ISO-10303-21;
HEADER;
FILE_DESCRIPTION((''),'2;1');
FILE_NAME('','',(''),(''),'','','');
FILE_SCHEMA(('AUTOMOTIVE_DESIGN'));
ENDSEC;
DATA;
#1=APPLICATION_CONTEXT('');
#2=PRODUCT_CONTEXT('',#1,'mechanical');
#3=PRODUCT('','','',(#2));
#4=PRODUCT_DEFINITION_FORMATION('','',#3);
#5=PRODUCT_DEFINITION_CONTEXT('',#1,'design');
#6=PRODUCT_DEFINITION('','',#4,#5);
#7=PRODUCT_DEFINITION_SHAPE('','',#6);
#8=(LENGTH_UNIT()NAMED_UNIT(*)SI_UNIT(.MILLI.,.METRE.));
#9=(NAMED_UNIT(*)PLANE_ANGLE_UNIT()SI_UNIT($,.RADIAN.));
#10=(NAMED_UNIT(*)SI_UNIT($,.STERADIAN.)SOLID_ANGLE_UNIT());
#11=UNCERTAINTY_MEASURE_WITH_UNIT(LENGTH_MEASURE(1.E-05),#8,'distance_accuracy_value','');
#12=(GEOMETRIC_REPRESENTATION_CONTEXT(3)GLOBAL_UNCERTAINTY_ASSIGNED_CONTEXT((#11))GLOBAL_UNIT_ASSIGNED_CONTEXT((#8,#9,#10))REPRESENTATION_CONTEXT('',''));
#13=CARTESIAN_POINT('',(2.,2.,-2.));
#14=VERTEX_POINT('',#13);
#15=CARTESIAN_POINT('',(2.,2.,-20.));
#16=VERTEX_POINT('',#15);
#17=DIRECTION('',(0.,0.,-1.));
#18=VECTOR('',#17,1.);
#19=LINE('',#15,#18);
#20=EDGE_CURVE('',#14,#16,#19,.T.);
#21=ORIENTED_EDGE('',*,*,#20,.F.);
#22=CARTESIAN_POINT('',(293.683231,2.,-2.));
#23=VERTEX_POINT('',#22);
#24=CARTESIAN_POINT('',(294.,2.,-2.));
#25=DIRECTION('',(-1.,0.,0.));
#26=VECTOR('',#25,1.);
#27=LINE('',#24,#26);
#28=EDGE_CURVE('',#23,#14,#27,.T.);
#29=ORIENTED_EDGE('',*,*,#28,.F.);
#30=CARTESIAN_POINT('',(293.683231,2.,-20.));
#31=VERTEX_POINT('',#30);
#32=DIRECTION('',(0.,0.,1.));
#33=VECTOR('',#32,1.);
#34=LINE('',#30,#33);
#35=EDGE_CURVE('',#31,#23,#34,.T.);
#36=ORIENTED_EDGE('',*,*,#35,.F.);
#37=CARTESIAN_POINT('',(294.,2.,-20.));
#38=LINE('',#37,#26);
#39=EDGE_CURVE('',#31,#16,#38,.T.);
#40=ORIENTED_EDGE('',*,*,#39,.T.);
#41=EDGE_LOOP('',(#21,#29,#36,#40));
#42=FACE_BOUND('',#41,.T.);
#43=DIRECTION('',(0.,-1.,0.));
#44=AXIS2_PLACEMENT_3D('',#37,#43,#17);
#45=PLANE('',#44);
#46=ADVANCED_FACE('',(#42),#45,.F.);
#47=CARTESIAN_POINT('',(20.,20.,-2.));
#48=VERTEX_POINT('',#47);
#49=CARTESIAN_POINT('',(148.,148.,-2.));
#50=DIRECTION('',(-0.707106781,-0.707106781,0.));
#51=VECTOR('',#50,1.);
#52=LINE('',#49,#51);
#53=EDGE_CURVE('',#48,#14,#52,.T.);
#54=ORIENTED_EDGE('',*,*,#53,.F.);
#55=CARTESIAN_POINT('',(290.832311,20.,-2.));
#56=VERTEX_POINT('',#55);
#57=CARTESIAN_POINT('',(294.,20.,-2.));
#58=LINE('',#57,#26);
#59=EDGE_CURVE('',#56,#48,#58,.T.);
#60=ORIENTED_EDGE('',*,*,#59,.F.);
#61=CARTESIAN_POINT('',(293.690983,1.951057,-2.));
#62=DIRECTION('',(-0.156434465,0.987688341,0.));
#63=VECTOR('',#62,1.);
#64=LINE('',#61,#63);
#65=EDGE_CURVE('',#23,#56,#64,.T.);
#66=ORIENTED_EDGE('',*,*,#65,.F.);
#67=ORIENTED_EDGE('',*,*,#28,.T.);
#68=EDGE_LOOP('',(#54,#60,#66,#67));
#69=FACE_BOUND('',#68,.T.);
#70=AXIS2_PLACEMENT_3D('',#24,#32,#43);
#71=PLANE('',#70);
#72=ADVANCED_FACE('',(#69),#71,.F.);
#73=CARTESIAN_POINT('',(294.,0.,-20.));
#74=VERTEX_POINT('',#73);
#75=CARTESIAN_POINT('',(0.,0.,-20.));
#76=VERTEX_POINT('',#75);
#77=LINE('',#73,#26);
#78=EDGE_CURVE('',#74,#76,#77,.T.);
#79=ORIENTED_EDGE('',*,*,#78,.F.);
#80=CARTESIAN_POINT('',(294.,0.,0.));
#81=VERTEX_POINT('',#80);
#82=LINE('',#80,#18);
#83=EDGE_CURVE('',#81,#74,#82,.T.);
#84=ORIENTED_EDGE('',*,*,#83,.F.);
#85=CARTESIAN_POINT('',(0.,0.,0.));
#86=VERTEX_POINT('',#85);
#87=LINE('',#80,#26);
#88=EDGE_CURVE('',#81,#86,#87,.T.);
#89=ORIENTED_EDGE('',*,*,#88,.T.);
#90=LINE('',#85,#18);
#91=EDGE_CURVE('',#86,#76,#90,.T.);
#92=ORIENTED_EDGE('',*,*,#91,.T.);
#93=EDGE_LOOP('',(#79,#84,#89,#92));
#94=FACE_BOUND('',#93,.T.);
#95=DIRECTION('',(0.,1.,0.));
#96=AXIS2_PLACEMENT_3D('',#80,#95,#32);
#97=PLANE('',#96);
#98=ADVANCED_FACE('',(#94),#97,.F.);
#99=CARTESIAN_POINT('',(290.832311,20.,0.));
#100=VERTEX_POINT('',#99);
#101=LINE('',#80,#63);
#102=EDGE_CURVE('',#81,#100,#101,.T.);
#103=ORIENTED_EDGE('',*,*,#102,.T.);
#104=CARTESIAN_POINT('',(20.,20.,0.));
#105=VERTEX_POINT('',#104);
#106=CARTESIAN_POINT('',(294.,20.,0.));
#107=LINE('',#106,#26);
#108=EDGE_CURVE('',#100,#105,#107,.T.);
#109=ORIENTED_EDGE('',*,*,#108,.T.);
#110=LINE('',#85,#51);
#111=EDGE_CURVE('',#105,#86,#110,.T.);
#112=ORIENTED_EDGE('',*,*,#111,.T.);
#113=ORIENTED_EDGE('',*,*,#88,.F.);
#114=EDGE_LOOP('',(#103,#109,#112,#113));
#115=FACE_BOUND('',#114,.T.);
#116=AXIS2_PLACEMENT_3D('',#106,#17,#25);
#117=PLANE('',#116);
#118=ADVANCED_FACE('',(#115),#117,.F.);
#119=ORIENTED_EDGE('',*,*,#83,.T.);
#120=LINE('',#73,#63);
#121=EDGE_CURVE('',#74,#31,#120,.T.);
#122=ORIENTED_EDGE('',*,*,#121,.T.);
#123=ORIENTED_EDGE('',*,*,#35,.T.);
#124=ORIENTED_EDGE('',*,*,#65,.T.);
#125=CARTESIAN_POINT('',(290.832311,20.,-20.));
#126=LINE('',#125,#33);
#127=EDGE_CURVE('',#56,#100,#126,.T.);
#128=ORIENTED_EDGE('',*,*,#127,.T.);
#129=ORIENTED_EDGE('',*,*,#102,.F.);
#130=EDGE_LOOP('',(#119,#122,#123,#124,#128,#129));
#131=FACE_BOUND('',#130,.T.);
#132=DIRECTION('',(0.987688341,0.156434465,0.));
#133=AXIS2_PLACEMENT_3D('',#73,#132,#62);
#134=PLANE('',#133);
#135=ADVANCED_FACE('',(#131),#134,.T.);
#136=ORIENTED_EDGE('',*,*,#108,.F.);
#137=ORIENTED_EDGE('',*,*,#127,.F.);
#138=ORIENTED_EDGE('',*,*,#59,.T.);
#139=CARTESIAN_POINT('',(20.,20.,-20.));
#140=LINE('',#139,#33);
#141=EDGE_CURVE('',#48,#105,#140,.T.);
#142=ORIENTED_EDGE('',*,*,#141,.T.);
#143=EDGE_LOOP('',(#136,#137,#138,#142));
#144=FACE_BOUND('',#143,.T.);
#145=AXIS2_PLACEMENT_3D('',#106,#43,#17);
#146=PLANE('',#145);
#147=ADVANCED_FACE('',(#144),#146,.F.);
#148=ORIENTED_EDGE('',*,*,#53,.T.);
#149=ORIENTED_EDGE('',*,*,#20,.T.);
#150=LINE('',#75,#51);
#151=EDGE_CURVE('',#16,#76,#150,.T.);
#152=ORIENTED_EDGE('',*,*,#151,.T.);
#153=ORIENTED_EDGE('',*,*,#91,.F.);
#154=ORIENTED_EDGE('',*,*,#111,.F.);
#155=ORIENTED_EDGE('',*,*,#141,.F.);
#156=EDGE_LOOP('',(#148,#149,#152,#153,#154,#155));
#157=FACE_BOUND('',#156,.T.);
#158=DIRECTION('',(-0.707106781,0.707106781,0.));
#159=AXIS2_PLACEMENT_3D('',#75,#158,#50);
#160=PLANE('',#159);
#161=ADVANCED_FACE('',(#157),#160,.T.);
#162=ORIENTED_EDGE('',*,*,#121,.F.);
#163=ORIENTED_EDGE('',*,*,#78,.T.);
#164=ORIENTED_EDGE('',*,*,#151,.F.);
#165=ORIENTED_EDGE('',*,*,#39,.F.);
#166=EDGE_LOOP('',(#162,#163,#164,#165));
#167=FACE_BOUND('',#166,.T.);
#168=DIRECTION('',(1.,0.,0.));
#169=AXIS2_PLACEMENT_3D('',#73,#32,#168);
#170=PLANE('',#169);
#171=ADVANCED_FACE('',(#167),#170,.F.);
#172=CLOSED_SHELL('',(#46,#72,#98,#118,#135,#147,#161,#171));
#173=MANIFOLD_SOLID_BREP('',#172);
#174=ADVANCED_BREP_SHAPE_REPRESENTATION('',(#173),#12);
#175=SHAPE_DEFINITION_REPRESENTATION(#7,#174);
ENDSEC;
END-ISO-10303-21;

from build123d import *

# Parameters (mm, degrees)
BOSS_EXTRUDE1_DEPTH = 294
CUT_EXTRUDE1_DEPTH  = 296.357410606


with BuildPart() as part:
    # Sketch1 → Boss-Extrude1 (new body)
    with BuildSketch(Plane(origin=(0, 0, 0), x_dir=(0, 0, -1), z_dir=(1, 0, 0))):
        Polygon((0, 20), (0, 0), (20, 0), (20, 2), (2, 2), (2, 20), align=None)
    extrude(amount=BOSS_EXTRUDE1_DEPTH)

    # Sketch2 → Cut-Extrude1 (cut, through all)
    with BuildSketch(Plane(origin=(0, 0, 0), x_dir=(-1, 0, 0), z_dir=(0, 0, -1))):
        Polygon((0, 0), (-20, 20), (0, 20), align=None)
        Polygon((-294, 0), (-290.832311194, 20), (-294, 20), align=None)
    extrude(amount=CUT_EXTRUDE1_DEPTH, mode=Mode.SUBTRACT)


solid = part.part
